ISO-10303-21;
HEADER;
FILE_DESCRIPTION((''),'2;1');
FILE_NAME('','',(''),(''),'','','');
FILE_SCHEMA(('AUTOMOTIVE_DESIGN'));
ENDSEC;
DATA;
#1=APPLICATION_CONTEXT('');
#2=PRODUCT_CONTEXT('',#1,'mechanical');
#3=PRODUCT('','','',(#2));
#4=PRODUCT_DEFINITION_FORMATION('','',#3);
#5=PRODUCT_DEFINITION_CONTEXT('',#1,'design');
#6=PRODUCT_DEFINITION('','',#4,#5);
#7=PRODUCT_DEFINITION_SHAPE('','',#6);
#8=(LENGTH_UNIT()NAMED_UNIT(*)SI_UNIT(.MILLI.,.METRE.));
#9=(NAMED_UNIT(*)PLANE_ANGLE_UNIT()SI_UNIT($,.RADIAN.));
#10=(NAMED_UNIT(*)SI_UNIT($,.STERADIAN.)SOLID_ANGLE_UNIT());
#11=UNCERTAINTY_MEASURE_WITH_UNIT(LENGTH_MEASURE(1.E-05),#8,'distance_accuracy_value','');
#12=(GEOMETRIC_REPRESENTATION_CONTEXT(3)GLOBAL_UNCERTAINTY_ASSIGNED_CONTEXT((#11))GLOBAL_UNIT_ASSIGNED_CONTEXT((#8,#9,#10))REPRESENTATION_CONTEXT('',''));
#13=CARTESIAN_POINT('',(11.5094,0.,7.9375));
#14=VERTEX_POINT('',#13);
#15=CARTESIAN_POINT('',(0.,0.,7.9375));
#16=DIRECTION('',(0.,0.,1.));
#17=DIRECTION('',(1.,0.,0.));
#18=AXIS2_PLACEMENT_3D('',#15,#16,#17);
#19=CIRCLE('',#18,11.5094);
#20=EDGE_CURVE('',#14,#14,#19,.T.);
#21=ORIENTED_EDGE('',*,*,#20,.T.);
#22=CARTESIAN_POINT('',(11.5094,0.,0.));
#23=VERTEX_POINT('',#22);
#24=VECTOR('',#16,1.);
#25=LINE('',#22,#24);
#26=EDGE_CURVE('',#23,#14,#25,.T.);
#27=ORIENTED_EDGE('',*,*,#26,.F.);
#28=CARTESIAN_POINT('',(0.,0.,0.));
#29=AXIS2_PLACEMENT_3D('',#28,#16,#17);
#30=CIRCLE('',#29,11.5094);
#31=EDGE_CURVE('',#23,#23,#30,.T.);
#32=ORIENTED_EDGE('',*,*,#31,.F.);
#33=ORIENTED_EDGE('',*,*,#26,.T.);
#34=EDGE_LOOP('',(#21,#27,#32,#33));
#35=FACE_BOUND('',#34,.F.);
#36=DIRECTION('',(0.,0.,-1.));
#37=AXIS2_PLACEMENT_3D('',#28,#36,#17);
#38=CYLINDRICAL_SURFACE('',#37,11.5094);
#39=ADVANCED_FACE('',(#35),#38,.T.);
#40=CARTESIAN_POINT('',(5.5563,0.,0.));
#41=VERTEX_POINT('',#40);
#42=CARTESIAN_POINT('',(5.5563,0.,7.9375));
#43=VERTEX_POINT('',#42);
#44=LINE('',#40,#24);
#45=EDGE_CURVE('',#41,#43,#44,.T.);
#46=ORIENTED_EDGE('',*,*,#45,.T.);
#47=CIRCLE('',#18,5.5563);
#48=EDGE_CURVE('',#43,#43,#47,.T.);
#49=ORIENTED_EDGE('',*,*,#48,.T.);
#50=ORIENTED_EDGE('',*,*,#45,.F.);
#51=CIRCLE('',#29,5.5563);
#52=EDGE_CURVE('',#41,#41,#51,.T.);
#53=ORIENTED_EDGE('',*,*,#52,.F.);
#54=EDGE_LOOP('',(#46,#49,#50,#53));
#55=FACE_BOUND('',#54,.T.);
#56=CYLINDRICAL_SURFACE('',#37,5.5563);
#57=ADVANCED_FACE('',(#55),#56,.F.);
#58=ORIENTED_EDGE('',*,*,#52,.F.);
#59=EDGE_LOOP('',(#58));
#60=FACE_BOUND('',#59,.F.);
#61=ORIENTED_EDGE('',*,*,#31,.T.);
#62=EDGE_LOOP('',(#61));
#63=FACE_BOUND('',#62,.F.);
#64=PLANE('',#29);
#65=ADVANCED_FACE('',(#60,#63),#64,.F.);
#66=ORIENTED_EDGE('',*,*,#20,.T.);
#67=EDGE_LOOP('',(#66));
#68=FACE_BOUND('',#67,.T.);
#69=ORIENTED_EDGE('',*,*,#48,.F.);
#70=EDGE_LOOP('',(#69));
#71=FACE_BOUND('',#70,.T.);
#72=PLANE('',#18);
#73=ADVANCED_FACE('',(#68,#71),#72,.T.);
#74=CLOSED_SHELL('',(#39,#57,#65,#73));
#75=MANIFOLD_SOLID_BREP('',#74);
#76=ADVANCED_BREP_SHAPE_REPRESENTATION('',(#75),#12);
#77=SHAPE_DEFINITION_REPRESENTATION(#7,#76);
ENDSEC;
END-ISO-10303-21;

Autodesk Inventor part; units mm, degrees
ref_plane "YZ Plane" through (0, 0, 0) normal (1, 0, 0) x (0, 1, 0)
ref_plane "XZ Plane" through (0, 0, 0) normal (0, 1, 0) x (-1, 0, 0)
ref_plane "XY Plane" through (0, 0, 0) normal (0, 0, 1) x (1, 0, 0)
sketch "Sketch1" plane through (0, 0, 0) normal (0, 0, 1) x (1, 0, 0)
  circle A0 centre (0, 0) radius 5.5563
  circle A1 centre (0, 0) radius 11.5094
  dimension "d0" = 11.1125
  dimension "d2" = 23.0188
extrude "Extrusion1" add sketch "Sketch1" along normal blind 7.9375
properties part number "1607"
